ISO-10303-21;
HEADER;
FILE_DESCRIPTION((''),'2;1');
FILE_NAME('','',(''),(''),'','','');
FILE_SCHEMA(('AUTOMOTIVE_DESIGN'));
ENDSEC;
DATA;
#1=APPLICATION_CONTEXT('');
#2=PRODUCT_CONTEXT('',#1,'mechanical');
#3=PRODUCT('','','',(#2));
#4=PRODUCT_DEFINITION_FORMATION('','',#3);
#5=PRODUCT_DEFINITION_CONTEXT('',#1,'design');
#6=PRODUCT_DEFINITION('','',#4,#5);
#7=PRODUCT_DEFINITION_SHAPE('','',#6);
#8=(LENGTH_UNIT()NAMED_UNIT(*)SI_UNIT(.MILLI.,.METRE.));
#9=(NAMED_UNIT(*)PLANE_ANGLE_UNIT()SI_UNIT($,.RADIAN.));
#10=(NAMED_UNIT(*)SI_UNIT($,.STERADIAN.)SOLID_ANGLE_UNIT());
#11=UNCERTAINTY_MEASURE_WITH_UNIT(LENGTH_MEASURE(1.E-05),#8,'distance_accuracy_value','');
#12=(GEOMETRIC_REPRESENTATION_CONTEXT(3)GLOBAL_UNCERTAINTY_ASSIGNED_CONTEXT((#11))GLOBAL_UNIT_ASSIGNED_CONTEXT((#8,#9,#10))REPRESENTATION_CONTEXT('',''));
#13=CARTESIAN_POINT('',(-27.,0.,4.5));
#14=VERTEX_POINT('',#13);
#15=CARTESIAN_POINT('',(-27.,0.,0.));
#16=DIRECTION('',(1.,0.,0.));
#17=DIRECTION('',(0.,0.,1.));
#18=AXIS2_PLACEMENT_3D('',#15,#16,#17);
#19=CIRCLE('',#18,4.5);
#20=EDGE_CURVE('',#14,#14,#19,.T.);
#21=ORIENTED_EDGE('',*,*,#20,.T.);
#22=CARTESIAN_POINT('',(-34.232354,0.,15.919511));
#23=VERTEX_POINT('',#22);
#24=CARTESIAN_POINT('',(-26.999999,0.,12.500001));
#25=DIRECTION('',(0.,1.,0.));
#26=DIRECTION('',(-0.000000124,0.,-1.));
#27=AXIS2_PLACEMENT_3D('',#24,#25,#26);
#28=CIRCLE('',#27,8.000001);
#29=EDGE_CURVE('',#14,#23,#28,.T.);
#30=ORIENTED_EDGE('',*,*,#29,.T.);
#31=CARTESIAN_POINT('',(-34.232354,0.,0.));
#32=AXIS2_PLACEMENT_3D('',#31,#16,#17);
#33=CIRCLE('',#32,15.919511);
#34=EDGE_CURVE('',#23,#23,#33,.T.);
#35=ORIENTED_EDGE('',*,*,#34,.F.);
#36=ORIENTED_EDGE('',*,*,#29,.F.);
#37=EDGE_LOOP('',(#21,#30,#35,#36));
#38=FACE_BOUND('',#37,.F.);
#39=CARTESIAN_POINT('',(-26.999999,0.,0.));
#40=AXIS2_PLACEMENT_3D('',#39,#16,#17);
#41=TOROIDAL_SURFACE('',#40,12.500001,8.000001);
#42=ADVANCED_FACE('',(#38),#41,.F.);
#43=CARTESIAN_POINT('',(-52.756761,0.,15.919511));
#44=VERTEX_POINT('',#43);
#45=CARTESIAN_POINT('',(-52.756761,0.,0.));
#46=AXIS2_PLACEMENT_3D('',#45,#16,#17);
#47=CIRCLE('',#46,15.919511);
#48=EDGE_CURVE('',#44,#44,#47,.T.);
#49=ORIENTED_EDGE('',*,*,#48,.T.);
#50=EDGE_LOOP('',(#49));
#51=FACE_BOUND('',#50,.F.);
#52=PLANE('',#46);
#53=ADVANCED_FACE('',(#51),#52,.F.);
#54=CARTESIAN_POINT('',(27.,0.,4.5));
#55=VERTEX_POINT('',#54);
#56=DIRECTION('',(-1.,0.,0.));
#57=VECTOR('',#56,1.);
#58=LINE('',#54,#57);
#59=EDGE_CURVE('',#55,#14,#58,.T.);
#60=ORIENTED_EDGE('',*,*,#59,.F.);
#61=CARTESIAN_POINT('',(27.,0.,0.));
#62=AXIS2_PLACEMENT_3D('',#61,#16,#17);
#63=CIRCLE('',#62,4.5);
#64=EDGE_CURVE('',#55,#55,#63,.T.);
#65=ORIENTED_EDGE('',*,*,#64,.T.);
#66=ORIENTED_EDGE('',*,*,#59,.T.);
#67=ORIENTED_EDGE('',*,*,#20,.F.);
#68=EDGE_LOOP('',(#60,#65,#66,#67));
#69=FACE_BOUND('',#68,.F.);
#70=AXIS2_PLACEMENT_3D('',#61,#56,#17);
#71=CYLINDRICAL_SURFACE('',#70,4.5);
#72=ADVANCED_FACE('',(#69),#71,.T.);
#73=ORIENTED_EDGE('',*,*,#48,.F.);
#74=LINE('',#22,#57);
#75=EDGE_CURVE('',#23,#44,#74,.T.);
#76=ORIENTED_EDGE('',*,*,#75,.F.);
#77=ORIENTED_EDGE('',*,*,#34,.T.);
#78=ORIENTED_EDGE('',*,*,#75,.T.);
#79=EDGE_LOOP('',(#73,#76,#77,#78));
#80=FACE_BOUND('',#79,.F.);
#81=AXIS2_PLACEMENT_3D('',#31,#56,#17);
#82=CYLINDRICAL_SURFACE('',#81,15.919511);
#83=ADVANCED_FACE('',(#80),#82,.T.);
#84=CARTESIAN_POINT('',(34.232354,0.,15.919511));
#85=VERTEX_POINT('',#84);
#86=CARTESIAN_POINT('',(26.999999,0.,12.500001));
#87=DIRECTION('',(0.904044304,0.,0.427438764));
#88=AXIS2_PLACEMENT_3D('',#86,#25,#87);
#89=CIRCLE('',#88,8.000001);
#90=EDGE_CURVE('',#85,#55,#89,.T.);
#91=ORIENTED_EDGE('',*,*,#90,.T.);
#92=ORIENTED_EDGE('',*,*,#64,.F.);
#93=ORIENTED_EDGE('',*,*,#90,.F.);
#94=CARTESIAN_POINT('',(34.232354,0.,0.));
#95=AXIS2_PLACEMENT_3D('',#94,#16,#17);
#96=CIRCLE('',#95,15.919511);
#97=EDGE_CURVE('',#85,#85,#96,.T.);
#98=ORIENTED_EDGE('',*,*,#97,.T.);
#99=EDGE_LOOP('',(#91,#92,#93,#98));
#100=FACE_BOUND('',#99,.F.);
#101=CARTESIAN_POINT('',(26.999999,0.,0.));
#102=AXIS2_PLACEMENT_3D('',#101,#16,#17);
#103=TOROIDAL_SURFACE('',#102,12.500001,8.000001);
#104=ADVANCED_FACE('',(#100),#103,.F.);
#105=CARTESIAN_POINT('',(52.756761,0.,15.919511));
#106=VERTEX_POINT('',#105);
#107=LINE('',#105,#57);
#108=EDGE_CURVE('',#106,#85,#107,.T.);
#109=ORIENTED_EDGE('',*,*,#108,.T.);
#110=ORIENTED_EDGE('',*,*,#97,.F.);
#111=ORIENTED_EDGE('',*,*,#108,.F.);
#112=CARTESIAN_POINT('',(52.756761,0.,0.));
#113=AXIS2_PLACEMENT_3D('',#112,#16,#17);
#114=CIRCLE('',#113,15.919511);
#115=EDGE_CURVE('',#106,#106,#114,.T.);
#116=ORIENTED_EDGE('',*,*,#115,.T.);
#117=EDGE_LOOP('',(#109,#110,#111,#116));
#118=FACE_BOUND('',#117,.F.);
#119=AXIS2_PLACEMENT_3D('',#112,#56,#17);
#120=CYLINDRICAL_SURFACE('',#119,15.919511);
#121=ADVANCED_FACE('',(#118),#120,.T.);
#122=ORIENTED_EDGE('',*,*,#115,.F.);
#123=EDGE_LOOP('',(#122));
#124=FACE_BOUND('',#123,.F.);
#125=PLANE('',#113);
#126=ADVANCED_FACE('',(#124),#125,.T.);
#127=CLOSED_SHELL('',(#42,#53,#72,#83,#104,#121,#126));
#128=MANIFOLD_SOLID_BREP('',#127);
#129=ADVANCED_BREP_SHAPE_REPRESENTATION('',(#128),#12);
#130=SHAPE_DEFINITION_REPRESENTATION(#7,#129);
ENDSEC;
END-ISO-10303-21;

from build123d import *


with BuildPart() as f1:
    # F0 (on Front) → F1 (revolve)
    with BuildSketch(Plane.XZ):
        with BuildLine():
            Line((27, 4.5), (0, 4.5))
            Line((0, 4.5), (-27, 4.5))
            ThreePointArc((-27, 4.5), (-33.758553, 8.219585), (-34.232354, 15.919511))
            Line((-34.232354, 15.919511), (-52.756761, 15.919511))
            Line((-52.756761, 15.919511), (-52.756761, 0))
            Line((-52.756761, 0), (0, 0))
            Line((0, 0), (52.756761, 0))
            Line((52.756761, 0), (52.756761, 15.919511))
            Line((52.756761, 15.919511), (34.232354, 15.919511))
            ThreePointArc((34.232354, 15.919511), (33.758553, 8.219585), (27, 4.5))
        make_face()
    revolve(axis=Axis((-26.378381, 0, 0), (1, 0, 0)))


solid = f1.part
